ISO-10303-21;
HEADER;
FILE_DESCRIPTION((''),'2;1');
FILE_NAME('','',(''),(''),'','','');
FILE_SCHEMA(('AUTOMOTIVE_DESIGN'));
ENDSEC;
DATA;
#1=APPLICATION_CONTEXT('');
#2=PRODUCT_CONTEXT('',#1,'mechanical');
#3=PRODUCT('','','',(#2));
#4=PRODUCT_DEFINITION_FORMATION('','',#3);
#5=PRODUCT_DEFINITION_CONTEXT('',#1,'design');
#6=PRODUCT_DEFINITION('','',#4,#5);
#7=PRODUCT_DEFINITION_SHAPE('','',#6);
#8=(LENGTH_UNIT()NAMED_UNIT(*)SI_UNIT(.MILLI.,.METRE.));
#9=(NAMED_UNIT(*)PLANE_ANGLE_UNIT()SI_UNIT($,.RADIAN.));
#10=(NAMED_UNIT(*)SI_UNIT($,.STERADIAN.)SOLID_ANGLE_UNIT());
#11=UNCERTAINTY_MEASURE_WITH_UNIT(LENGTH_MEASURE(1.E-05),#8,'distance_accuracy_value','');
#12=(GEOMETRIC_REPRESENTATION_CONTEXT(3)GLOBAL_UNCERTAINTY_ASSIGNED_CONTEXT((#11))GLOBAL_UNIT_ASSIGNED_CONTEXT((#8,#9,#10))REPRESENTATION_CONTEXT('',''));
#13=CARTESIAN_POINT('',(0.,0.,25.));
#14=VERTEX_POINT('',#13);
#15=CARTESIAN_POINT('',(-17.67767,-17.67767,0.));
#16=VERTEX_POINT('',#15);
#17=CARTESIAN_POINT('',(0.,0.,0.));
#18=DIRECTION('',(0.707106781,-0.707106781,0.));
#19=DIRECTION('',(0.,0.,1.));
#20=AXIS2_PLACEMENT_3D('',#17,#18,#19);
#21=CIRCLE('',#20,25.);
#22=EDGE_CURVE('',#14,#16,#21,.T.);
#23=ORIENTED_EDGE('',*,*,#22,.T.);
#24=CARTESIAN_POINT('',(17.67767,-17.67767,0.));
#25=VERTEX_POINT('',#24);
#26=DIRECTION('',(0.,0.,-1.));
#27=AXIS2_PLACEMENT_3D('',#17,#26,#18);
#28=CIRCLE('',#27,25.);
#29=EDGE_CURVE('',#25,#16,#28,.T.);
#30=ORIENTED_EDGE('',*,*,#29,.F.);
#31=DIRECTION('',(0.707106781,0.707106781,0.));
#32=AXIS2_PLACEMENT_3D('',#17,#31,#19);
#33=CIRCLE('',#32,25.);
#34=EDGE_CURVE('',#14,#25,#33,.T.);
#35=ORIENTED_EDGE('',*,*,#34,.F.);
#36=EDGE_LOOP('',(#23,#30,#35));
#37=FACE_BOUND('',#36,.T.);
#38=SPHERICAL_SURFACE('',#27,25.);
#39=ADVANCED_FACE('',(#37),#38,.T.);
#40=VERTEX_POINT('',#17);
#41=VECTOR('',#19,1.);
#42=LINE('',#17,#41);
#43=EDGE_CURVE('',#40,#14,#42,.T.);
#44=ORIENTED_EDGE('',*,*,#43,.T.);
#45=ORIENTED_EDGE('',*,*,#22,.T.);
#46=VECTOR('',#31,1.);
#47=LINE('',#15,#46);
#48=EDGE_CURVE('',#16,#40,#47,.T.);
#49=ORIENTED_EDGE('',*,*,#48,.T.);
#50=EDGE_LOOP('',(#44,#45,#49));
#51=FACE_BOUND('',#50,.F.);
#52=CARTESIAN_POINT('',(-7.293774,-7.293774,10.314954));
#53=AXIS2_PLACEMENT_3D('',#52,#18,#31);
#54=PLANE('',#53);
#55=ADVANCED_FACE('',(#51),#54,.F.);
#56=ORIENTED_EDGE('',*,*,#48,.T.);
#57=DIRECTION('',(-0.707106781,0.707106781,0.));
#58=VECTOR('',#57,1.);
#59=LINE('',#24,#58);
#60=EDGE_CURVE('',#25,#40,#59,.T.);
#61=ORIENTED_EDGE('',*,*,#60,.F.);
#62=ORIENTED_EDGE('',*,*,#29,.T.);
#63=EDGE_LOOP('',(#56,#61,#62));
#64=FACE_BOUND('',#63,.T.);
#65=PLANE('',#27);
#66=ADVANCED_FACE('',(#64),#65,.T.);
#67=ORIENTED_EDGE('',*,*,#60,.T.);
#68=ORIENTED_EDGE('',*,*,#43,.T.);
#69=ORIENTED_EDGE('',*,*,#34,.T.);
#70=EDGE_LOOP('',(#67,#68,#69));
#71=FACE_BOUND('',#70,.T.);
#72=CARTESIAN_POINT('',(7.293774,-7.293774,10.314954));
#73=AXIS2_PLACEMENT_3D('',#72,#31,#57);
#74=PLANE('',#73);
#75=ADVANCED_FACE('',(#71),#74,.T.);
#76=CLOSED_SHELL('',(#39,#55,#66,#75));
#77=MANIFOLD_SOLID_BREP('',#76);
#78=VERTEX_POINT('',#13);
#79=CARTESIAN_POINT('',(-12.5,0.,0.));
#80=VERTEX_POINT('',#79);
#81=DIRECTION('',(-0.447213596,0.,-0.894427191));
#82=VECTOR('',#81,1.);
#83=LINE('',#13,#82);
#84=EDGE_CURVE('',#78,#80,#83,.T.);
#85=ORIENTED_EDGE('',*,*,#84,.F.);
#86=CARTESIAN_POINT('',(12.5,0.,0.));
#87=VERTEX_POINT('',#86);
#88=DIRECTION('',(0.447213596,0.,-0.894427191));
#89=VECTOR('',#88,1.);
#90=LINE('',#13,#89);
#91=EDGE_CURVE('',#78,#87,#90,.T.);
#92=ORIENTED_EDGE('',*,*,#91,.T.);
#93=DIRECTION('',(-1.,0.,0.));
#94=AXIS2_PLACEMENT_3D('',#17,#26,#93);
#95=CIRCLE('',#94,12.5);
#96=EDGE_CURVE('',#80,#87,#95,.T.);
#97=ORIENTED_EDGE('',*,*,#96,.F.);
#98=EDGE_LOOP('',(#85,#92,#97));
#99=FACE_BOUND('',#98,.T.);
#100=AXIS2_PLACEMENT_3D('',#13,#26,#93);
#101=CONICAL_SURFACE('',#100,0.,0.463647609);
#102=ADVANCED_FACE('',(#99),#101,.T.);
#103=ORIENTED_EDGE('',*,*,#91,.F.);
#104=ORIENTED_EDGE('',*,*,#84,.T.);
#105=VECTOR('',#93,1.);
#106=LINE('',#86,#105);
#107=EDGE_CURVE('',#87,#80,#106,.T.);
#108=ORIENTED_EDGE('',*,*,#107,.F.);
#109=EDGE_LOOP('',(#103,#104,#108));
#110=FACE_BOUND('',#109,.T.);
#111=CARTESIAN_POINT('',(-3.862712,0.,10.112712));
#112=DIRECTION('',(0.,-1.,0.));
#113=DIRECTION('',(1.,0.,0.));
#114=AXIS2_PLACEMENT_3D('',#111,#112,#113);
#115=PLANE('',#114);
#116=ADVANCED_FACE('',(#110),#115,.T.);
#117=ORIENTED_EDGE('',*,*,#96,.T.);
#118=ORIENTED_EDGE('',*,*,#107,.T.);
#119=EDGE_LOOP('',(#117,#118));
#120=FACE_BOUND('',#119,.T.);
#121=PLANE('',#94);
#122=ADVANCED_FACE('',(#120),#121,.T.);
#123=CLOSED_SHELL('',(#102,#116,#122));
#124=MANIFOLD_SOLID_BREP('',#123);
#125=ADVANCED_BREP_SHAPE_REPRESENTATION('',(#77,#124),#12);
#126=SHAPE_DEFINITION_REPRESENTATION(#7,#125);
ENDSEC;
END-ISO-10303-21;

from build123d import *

# Parameters (mm, degrees)
F1_ANGLE      = 180
F3_ANGLE_BACK = 45
F3_ANGLE      = 90


with BuildPart() as f1:
    # F0 (on Front) → F1 (revolve)
    with BuildSketch(Plane.XZ):
        Polygon((-12.5, 0), (0, 0), (0, 25), align=None)
    revolve(axis=Axis((0, 0, 12.5), (0, 0, -1)), revolution_arc=F1_ANGLE)


with BuildPart() as f3:
    # F2 (on Right) → F3 (revolve)
    with BuildSketch(Plane.YZ, mode=Mode.PRIVATE) as f3_sk:
        with BuildLine():
            Line((0, 0), (0, 25))
            ThreePointArc((0, 25), (-17.6776695297, 17.6776695297), (-25, 0))
            Line((-25, 0), (0, 0))
        make_face()
    revolve(f3_sk.sketch.rotate(Axis((0, 0, 12.5), (0, 0, -1)), -F3_ANGLE_BACK), axis=Axis((0, 0, 12.5), (0, 0, -1)), revolution_arc=F3_ANGLE)


solid = Compound([f1.part, f3.part])
